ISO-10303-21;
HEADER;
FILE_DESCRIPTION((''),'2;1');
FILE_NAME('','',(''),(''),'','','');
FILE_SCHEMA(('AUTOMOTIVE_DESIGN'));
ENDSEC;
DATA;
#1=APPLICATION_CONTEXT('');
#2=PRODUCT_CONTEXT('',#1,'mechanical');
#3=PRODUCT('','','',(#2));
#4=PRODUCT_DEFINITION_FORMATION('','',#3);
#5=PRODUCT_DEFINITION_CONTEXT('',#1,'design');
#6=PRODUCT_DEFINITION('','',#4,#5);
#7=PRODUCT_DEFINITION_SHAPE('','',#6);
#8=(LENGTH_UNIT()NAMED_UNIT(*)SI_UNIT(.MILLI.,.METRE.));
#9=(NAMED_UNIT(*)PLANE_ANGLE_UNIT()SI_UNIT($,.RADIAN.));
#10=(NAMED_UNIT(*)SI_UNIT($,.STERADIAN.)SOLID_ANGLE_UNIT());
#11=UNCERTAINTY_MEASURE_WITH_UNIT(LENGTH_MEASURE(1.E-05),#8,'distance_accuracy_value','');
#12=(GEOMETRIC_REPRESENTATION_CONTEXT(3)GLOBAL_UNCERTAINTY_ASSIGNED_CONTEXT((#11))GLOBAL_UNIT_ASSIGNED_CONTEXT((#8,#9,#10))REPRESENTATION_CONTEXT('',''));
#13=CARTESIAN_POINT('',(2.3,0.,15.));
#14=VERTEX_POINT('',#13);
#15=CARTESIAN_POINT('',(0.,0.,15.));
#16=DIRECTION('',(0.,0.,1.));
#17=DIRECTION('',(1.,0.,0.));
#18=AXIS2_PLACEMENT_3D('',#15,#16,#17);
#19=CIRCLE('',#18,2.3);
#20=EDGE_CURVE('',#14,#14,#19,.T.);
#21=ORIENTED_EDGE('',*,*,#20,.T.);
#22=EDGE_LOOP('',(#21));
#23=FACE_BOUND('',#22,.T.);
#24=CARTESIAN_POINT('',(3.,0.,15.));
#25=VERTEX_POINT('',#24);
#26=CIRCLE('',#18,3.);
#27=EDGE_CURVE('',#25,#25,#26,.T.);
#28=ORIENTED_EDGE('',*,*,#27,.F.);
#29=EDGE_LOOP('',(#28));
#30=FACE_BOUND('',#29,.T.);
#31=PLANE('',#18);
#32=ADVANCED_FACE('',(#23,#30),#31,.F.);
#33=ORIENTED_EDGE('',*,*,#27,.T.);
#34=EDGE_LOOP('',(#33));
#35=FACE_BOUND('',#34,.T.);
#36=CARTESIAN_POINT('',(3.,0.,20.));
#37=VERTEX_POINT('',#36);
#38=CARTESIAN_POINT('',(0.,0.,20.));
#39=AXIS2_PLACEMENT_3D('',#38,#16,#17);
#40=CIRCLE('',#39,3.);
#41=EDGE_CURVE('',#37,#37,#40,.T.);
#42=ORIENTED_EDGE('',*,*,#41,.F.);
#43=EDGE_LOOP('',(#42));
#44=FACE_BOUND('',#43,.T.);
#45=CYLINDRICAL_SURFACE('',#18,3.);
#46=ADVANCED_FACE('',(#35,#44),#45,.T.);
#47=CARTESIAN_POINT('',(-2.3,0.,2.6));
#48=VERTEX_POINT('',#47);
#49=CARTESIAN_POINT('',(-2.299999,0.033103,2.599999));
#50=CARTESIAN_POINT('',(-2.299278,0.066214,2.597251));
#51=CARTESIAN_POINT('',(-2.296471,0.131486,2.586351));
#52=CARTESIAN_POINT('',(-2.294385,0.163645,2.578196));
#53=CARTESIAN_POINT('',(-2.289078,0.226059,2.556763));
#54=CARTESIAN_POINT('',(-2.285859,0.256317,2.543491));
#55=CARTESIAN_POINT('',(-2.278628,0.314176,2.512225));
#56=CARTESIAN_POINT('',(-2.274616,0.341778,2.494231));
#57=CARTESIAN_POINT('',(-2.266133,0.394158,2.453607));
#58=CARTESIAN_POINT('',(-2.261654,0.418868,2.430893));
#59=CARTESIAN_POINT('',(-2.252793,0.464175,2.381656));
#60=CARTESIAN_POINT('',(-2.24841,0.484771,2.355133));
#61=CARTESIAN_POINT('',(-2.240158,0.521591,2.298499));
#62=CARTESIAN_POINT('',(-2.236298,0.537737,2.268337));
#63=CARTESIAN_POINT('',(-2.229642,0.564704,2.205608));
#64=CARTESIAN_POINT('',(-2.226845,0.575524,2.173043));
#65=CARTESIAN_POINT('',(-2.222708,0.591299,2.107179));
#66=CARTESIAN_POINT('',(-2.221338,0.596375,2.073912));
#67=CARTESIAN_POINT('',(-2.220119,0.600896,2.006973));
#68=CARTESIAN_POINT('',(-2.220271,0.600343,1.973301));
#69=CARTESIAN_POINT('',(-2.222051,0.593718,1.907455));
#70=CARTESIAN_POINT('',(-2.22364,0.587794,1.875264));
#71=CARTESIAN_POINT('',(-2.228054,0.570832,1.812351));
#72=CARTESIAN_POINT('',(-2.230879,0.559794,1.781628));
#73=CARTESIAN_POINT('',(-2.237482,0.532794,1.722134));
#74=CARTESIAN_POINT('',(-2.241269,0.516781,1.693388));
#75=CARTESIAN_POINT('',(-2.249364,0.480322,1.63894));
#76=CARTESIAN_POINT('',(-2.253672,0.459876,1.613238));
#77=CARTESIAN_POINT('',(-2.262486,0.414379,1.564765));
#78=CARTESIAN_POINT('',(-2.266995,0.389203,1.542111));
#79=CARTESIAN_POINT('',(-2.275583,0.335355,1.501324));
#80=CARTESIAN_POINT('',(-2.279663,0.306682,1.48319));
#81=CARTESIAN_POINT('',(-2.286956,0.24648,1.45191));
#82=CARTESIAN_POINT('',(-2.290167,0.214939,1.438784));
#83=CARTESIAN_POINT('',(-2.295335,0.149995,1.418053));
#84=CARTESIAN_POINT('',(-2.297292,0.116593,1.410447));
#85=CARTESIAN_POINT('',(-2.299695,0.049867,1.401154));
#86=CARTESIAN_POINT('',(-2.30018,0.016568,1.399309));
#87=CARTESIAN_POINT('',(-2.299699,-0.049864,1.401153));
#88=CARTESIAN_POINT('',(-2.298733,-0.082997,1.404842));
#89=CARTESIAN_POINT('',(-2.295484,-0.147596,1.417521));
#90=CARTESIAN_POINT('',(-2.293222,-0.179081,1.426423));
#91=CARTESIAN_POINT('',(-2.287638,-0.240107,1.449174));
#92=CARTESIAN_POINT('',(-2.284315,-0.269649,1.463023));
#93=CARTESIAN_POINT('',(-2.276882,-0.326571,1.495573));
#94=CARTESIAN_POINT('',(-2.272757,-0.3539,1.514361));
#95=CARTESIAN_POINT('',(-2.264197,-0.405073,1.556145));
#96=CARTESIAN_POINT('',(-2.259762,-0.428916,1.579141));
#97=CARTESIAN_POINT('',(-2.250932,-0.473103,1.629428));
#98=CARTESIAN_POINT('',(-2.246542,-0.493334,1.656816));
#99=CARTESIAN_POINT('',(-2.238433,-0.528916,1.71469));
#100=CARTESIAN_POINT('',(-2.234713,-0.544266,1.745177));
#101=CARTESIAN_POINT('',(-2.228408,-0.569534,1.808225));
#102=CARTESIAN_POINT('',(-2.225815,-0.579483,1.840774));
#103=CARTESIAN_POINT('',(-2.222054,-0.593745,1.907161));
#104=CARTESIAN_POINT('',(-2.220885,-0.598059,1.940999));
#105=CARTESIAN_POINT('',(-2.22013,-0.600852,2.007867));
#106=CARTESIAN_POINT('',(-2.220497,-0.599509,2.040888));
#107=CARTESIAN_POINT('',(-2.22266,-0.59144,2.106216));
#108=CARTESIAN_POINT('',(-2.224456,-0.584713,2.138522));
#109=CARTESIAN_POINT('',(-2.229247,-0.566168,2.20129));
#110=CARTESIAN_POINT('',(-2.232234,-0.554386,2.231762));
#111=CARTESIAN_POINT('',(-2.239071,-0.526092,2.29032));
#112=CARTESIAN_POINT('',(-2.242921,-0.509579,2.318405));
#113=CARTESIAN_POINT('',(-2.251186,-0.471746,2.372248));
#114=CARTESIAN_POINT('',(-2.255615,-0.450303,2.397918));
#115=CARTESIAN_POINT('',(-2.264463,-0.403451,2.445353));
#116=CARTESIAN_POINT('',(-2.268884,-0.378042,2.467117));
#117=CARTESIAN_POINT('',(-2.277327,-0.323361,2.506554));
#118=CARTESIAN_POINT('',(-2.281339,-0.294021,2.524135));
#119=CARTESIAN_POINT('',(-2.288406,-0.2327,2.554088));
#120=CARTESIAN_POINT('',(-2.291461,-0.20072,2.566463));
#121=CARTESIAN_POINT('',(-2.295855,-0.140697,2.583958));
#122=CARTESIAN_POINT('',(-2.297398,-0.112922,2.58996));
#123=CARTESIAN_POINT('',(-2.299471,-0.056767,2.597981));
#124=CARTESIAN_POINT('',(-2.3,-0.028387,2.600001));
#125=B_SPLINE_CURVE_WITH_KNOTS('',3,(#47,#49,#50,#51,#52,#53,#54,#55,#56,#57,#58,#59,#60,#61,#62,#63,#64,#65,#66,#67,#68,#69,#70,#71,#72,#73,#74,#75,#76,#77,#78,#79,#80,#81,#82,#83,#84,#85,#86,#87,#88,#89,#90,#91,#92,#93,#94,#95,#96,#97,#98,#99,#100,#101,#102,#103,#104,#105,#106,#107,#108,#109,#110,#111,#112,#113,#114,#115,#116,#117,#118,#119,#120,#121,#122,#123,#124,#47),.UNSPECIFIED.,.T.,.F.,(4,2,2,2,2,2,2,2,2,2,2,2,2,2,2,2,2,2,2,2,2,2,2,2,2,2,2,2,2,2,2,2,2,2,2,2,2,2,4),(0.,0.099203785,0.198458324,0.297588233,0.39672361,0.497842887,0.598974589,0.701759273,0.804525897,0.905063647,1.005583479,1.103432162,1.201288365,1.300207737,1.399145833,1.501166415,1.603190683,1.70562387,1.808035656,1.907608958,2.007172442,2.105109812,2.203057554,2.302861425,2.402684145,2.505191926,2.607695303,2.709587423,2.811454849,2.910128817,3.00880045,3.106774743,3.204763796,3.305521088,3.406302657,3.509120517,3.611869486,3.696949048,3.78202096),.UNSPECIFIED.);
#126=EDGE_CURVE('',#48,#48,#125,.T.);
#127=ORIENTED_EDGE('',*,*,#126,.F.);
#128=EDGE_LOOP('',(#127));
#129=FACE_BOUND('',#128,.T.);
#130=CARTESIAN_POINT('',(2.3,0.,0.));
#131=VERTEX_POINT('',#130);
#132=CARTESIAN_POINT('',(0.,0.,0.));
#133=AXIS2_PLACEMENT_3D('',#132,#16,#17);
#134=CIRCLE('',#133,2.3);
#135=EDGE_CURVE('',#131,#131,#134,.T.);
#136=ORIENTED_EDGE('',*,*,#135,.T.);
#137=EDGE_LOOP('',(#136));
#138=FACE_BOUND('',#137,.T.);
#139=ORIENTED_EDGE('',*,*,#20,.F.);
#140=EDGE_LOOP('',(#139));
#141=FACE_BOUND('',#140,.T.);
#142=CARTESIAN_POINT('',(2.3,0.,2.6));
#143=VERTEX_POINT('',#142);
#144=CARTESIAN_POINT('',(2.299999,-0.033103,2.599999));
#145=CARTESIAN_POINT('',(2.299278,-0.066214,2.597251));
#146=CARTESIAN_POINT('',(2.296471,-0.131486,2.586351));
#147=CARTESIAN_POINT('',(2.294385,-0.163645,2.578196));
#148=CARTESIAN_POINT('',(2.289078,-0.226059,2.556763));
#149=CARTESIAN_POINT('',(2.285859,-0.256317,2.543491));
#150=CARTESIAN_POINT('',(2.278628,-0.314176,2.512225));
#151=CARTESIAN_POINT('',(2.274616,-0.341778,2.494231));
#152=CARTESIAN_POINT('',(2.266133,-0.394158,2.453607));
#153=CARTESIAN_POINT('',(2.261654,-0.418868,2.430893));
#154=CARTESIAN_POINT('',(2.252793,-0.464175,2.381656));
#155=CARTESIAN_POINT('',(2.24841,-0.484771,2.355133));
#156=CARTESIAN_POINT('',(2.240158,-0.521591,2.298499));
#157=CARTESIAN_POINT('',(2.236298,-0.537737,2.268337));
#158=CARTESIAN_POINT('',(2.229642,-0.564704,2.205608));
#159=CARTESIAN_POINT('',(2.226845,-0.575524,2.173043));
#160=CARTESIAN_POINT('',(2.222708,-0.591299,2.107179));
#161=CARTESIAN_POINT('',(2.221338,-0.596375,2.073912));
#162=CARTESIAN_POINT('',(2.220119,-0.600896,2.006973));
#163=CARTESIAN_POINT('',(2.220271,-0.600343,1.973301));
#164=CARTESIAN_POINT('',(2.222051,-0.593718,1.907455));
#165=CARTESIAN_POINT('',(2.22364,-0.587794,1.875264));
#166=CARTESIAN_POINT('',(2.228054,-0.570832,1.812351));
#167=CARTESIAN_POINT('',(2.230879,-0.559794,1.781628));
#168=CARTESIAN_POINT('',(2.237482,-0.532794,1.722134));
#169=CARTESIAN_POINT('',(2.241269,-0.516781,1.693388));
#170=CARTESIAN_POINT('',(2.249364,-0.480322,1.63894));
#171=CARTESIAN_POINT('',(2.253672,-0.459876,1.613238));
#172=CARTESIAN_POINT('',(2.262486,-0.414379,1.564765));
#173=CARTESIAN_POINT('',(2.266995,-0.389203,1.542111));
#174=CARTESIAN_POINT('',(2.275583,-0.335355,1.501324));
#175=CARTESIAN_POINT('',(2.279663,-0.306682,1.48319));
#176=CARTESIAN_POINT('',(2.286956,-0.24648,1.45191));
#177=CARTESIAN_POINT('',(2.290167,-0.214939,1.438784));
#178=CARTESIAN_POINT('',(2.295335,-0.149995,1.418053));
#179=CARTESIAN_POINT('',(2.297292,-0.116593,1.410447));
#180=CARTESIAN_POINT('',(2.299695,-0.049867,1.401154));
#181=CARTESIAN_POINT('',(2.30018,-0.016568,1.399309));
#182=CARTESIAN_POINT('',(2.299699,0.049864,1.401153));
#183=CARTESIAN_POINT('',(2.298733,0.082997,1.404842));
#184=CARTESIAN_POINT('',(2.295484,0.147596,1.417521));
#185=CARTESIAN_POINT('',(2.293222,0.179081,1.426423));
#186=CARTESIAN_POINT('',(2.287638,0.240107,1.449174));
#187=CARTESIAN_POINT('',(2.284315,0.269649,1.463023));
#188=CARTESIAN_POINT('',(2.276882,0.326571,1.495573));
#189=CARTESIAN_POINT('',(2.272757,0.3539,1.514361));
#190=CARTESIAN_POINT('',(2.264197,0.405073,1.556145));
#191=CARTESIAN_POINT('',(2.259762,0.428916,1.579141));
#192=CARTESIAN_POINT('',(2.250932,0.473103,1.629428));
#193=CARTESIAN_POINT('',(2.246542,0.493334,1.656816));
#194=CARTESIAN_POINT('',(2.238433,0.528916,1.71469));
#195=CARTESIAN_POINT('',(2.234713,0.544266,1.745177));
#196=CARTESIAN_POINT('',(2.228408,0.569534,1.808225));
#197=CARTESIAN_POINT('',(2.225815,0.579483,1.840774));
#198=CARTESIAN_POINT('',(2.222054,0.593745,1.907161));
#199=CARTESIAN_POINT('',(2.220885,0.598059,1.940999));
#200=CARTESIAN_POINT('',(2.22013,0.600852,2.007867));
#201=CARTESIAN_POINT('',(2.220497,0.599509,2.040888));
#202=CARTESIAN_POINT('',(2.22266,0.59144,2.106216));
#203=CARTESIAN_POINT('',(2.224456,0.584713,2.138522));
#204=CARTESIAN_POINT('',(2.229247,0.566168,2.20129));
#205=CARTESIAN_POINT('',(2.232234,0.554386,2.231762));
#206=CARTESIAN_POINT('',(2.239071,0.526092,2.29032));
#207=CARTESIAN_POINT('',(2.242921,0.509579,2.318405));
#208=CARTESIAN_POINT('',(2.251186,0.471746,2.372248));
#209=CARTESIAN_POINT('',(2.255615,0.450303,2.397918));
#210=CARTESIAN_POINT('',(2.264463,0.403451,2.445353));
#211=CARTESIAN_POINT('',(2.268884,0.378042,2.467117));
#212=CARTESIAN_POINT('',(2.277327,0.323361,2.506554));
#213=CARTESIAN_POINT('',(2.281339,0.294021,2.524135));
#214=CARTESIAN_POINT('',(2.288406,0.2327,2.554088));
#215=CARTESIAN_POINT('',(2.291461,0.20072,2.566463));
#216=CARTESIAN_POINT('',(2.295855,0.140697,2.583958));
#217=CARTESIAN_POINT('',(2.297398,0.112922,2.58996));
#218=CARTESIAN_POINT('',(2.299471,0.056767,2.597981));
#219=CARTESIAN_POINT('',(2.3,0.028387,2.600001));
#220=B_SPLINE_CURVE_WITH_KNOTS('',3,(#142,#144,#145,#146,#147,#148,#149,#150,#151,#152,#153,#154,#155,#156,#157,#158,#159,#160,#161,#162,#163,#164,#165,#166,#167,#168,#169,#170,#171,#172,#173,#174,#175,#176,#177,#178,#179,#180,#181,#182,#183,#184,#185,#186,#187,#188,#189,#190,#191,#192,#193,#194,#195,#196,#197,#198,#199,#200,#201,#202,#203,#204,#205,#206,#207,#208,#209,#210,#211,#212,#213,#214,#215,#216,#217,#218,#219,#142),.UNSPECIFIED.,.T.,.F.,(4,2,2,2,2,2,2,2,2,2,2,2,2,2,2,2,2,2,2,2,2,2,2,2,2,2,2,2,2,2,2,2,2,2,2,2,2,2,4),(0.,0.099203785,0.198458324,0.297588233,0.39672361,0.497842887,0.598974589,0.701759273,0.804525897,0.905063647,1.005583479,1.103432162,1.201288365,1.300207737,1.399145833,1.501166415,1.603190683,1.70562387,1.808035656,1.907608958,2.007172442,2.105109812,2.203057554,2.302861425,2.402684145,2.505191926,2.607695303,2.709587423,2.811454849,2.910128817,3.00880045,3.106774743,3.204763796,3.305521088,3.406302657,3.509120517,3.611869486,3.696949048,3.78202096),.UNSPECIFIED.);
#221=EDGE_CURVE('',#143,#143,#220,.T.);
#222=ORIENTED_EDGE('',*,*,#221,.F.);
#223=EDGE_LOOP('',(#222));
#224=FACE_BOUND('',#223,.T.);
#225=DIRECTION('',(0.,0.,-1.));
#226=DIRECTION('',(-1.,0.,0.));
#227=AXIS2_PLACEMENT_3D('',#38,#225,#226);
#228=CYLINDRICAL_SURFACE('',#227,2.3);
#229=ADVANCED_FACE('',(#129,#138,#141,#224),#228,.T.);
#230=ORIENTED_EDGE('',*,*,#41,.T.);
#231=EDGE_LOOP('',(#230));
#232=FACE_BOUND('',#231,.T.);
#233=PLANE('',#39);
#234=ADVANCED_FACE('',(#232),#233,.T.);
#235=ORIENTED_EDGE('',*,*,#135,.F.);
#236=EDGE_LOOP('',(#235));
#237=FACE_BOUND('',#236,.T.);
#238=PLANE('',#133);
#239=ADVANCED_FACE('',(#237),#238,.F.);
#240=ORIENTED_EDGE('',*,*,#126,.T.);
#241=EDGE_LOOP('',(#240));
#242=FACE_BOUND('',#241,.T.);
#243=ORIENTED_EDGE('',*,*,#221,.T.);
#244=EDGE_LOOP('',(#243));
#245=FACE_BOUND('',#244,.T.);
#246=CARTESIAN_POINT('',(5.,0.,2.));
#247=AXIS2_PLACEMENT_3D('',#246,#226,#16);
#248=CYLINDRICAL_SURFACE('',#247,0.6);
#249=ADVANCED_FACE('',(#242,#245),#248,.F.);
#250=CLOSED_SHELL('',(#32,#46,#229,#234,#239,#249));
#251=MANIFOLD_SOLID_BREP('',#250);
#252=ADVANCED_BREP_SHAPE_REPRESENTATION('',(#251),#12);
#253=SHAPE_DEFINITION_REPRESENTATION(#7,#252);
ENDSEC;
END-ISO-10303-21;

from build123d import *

# Parameters (mm, degrees)
SKETCH1_R               = 2.3
BOSS_EXTRUDE1_DEPTH     = 20
SKETCH2_R               = 3
BOSS_EXTRUDE2_DEPTH     = 5
CUT_EXTRUDE1_DEPTH      = 5
CUT_EXTRUDE1_DEPTH_BACK = 5
SKETCH3_R               = 0.6


with BuildPart() as part:
    # Sketch1 → Boss-Extrude1 (new body)
    with BuildSketch(Plane.XY):
        Circle(SKETCH1_R)
    extrude(amount=BOSS_EXTRUDE1_DEPTH)

    # Sketch2 → Boss-Extrude2 (add)
    with BuildSketch(Plane.XY.offset(20)):
        Circle(SKETCH2_R)
    extrude(amount=-BOSS_EXTRUDE2_DEPTH)

    # Sketch3 → Cut-Extrude1 (cut, two sides: drawn at the far end of the back side and taken through both)
    with BuildSketch(Plane(origin=(0, 0, 0), x_dir=(0, 0, -1), z_dir=(1, 0, 0)).offset(-CUT_EXTRUDE1_DEPTH_BACK)):
        with Locations((-2, 0)):
            Circle(SKETCH3_R)
    extrude(amount=CUT_EXTRUDE1_DEPTH + CUT_EXTRUDE1_DEPTH_BACK, mode=Mode.SUBTRACT)


solid = part.part
